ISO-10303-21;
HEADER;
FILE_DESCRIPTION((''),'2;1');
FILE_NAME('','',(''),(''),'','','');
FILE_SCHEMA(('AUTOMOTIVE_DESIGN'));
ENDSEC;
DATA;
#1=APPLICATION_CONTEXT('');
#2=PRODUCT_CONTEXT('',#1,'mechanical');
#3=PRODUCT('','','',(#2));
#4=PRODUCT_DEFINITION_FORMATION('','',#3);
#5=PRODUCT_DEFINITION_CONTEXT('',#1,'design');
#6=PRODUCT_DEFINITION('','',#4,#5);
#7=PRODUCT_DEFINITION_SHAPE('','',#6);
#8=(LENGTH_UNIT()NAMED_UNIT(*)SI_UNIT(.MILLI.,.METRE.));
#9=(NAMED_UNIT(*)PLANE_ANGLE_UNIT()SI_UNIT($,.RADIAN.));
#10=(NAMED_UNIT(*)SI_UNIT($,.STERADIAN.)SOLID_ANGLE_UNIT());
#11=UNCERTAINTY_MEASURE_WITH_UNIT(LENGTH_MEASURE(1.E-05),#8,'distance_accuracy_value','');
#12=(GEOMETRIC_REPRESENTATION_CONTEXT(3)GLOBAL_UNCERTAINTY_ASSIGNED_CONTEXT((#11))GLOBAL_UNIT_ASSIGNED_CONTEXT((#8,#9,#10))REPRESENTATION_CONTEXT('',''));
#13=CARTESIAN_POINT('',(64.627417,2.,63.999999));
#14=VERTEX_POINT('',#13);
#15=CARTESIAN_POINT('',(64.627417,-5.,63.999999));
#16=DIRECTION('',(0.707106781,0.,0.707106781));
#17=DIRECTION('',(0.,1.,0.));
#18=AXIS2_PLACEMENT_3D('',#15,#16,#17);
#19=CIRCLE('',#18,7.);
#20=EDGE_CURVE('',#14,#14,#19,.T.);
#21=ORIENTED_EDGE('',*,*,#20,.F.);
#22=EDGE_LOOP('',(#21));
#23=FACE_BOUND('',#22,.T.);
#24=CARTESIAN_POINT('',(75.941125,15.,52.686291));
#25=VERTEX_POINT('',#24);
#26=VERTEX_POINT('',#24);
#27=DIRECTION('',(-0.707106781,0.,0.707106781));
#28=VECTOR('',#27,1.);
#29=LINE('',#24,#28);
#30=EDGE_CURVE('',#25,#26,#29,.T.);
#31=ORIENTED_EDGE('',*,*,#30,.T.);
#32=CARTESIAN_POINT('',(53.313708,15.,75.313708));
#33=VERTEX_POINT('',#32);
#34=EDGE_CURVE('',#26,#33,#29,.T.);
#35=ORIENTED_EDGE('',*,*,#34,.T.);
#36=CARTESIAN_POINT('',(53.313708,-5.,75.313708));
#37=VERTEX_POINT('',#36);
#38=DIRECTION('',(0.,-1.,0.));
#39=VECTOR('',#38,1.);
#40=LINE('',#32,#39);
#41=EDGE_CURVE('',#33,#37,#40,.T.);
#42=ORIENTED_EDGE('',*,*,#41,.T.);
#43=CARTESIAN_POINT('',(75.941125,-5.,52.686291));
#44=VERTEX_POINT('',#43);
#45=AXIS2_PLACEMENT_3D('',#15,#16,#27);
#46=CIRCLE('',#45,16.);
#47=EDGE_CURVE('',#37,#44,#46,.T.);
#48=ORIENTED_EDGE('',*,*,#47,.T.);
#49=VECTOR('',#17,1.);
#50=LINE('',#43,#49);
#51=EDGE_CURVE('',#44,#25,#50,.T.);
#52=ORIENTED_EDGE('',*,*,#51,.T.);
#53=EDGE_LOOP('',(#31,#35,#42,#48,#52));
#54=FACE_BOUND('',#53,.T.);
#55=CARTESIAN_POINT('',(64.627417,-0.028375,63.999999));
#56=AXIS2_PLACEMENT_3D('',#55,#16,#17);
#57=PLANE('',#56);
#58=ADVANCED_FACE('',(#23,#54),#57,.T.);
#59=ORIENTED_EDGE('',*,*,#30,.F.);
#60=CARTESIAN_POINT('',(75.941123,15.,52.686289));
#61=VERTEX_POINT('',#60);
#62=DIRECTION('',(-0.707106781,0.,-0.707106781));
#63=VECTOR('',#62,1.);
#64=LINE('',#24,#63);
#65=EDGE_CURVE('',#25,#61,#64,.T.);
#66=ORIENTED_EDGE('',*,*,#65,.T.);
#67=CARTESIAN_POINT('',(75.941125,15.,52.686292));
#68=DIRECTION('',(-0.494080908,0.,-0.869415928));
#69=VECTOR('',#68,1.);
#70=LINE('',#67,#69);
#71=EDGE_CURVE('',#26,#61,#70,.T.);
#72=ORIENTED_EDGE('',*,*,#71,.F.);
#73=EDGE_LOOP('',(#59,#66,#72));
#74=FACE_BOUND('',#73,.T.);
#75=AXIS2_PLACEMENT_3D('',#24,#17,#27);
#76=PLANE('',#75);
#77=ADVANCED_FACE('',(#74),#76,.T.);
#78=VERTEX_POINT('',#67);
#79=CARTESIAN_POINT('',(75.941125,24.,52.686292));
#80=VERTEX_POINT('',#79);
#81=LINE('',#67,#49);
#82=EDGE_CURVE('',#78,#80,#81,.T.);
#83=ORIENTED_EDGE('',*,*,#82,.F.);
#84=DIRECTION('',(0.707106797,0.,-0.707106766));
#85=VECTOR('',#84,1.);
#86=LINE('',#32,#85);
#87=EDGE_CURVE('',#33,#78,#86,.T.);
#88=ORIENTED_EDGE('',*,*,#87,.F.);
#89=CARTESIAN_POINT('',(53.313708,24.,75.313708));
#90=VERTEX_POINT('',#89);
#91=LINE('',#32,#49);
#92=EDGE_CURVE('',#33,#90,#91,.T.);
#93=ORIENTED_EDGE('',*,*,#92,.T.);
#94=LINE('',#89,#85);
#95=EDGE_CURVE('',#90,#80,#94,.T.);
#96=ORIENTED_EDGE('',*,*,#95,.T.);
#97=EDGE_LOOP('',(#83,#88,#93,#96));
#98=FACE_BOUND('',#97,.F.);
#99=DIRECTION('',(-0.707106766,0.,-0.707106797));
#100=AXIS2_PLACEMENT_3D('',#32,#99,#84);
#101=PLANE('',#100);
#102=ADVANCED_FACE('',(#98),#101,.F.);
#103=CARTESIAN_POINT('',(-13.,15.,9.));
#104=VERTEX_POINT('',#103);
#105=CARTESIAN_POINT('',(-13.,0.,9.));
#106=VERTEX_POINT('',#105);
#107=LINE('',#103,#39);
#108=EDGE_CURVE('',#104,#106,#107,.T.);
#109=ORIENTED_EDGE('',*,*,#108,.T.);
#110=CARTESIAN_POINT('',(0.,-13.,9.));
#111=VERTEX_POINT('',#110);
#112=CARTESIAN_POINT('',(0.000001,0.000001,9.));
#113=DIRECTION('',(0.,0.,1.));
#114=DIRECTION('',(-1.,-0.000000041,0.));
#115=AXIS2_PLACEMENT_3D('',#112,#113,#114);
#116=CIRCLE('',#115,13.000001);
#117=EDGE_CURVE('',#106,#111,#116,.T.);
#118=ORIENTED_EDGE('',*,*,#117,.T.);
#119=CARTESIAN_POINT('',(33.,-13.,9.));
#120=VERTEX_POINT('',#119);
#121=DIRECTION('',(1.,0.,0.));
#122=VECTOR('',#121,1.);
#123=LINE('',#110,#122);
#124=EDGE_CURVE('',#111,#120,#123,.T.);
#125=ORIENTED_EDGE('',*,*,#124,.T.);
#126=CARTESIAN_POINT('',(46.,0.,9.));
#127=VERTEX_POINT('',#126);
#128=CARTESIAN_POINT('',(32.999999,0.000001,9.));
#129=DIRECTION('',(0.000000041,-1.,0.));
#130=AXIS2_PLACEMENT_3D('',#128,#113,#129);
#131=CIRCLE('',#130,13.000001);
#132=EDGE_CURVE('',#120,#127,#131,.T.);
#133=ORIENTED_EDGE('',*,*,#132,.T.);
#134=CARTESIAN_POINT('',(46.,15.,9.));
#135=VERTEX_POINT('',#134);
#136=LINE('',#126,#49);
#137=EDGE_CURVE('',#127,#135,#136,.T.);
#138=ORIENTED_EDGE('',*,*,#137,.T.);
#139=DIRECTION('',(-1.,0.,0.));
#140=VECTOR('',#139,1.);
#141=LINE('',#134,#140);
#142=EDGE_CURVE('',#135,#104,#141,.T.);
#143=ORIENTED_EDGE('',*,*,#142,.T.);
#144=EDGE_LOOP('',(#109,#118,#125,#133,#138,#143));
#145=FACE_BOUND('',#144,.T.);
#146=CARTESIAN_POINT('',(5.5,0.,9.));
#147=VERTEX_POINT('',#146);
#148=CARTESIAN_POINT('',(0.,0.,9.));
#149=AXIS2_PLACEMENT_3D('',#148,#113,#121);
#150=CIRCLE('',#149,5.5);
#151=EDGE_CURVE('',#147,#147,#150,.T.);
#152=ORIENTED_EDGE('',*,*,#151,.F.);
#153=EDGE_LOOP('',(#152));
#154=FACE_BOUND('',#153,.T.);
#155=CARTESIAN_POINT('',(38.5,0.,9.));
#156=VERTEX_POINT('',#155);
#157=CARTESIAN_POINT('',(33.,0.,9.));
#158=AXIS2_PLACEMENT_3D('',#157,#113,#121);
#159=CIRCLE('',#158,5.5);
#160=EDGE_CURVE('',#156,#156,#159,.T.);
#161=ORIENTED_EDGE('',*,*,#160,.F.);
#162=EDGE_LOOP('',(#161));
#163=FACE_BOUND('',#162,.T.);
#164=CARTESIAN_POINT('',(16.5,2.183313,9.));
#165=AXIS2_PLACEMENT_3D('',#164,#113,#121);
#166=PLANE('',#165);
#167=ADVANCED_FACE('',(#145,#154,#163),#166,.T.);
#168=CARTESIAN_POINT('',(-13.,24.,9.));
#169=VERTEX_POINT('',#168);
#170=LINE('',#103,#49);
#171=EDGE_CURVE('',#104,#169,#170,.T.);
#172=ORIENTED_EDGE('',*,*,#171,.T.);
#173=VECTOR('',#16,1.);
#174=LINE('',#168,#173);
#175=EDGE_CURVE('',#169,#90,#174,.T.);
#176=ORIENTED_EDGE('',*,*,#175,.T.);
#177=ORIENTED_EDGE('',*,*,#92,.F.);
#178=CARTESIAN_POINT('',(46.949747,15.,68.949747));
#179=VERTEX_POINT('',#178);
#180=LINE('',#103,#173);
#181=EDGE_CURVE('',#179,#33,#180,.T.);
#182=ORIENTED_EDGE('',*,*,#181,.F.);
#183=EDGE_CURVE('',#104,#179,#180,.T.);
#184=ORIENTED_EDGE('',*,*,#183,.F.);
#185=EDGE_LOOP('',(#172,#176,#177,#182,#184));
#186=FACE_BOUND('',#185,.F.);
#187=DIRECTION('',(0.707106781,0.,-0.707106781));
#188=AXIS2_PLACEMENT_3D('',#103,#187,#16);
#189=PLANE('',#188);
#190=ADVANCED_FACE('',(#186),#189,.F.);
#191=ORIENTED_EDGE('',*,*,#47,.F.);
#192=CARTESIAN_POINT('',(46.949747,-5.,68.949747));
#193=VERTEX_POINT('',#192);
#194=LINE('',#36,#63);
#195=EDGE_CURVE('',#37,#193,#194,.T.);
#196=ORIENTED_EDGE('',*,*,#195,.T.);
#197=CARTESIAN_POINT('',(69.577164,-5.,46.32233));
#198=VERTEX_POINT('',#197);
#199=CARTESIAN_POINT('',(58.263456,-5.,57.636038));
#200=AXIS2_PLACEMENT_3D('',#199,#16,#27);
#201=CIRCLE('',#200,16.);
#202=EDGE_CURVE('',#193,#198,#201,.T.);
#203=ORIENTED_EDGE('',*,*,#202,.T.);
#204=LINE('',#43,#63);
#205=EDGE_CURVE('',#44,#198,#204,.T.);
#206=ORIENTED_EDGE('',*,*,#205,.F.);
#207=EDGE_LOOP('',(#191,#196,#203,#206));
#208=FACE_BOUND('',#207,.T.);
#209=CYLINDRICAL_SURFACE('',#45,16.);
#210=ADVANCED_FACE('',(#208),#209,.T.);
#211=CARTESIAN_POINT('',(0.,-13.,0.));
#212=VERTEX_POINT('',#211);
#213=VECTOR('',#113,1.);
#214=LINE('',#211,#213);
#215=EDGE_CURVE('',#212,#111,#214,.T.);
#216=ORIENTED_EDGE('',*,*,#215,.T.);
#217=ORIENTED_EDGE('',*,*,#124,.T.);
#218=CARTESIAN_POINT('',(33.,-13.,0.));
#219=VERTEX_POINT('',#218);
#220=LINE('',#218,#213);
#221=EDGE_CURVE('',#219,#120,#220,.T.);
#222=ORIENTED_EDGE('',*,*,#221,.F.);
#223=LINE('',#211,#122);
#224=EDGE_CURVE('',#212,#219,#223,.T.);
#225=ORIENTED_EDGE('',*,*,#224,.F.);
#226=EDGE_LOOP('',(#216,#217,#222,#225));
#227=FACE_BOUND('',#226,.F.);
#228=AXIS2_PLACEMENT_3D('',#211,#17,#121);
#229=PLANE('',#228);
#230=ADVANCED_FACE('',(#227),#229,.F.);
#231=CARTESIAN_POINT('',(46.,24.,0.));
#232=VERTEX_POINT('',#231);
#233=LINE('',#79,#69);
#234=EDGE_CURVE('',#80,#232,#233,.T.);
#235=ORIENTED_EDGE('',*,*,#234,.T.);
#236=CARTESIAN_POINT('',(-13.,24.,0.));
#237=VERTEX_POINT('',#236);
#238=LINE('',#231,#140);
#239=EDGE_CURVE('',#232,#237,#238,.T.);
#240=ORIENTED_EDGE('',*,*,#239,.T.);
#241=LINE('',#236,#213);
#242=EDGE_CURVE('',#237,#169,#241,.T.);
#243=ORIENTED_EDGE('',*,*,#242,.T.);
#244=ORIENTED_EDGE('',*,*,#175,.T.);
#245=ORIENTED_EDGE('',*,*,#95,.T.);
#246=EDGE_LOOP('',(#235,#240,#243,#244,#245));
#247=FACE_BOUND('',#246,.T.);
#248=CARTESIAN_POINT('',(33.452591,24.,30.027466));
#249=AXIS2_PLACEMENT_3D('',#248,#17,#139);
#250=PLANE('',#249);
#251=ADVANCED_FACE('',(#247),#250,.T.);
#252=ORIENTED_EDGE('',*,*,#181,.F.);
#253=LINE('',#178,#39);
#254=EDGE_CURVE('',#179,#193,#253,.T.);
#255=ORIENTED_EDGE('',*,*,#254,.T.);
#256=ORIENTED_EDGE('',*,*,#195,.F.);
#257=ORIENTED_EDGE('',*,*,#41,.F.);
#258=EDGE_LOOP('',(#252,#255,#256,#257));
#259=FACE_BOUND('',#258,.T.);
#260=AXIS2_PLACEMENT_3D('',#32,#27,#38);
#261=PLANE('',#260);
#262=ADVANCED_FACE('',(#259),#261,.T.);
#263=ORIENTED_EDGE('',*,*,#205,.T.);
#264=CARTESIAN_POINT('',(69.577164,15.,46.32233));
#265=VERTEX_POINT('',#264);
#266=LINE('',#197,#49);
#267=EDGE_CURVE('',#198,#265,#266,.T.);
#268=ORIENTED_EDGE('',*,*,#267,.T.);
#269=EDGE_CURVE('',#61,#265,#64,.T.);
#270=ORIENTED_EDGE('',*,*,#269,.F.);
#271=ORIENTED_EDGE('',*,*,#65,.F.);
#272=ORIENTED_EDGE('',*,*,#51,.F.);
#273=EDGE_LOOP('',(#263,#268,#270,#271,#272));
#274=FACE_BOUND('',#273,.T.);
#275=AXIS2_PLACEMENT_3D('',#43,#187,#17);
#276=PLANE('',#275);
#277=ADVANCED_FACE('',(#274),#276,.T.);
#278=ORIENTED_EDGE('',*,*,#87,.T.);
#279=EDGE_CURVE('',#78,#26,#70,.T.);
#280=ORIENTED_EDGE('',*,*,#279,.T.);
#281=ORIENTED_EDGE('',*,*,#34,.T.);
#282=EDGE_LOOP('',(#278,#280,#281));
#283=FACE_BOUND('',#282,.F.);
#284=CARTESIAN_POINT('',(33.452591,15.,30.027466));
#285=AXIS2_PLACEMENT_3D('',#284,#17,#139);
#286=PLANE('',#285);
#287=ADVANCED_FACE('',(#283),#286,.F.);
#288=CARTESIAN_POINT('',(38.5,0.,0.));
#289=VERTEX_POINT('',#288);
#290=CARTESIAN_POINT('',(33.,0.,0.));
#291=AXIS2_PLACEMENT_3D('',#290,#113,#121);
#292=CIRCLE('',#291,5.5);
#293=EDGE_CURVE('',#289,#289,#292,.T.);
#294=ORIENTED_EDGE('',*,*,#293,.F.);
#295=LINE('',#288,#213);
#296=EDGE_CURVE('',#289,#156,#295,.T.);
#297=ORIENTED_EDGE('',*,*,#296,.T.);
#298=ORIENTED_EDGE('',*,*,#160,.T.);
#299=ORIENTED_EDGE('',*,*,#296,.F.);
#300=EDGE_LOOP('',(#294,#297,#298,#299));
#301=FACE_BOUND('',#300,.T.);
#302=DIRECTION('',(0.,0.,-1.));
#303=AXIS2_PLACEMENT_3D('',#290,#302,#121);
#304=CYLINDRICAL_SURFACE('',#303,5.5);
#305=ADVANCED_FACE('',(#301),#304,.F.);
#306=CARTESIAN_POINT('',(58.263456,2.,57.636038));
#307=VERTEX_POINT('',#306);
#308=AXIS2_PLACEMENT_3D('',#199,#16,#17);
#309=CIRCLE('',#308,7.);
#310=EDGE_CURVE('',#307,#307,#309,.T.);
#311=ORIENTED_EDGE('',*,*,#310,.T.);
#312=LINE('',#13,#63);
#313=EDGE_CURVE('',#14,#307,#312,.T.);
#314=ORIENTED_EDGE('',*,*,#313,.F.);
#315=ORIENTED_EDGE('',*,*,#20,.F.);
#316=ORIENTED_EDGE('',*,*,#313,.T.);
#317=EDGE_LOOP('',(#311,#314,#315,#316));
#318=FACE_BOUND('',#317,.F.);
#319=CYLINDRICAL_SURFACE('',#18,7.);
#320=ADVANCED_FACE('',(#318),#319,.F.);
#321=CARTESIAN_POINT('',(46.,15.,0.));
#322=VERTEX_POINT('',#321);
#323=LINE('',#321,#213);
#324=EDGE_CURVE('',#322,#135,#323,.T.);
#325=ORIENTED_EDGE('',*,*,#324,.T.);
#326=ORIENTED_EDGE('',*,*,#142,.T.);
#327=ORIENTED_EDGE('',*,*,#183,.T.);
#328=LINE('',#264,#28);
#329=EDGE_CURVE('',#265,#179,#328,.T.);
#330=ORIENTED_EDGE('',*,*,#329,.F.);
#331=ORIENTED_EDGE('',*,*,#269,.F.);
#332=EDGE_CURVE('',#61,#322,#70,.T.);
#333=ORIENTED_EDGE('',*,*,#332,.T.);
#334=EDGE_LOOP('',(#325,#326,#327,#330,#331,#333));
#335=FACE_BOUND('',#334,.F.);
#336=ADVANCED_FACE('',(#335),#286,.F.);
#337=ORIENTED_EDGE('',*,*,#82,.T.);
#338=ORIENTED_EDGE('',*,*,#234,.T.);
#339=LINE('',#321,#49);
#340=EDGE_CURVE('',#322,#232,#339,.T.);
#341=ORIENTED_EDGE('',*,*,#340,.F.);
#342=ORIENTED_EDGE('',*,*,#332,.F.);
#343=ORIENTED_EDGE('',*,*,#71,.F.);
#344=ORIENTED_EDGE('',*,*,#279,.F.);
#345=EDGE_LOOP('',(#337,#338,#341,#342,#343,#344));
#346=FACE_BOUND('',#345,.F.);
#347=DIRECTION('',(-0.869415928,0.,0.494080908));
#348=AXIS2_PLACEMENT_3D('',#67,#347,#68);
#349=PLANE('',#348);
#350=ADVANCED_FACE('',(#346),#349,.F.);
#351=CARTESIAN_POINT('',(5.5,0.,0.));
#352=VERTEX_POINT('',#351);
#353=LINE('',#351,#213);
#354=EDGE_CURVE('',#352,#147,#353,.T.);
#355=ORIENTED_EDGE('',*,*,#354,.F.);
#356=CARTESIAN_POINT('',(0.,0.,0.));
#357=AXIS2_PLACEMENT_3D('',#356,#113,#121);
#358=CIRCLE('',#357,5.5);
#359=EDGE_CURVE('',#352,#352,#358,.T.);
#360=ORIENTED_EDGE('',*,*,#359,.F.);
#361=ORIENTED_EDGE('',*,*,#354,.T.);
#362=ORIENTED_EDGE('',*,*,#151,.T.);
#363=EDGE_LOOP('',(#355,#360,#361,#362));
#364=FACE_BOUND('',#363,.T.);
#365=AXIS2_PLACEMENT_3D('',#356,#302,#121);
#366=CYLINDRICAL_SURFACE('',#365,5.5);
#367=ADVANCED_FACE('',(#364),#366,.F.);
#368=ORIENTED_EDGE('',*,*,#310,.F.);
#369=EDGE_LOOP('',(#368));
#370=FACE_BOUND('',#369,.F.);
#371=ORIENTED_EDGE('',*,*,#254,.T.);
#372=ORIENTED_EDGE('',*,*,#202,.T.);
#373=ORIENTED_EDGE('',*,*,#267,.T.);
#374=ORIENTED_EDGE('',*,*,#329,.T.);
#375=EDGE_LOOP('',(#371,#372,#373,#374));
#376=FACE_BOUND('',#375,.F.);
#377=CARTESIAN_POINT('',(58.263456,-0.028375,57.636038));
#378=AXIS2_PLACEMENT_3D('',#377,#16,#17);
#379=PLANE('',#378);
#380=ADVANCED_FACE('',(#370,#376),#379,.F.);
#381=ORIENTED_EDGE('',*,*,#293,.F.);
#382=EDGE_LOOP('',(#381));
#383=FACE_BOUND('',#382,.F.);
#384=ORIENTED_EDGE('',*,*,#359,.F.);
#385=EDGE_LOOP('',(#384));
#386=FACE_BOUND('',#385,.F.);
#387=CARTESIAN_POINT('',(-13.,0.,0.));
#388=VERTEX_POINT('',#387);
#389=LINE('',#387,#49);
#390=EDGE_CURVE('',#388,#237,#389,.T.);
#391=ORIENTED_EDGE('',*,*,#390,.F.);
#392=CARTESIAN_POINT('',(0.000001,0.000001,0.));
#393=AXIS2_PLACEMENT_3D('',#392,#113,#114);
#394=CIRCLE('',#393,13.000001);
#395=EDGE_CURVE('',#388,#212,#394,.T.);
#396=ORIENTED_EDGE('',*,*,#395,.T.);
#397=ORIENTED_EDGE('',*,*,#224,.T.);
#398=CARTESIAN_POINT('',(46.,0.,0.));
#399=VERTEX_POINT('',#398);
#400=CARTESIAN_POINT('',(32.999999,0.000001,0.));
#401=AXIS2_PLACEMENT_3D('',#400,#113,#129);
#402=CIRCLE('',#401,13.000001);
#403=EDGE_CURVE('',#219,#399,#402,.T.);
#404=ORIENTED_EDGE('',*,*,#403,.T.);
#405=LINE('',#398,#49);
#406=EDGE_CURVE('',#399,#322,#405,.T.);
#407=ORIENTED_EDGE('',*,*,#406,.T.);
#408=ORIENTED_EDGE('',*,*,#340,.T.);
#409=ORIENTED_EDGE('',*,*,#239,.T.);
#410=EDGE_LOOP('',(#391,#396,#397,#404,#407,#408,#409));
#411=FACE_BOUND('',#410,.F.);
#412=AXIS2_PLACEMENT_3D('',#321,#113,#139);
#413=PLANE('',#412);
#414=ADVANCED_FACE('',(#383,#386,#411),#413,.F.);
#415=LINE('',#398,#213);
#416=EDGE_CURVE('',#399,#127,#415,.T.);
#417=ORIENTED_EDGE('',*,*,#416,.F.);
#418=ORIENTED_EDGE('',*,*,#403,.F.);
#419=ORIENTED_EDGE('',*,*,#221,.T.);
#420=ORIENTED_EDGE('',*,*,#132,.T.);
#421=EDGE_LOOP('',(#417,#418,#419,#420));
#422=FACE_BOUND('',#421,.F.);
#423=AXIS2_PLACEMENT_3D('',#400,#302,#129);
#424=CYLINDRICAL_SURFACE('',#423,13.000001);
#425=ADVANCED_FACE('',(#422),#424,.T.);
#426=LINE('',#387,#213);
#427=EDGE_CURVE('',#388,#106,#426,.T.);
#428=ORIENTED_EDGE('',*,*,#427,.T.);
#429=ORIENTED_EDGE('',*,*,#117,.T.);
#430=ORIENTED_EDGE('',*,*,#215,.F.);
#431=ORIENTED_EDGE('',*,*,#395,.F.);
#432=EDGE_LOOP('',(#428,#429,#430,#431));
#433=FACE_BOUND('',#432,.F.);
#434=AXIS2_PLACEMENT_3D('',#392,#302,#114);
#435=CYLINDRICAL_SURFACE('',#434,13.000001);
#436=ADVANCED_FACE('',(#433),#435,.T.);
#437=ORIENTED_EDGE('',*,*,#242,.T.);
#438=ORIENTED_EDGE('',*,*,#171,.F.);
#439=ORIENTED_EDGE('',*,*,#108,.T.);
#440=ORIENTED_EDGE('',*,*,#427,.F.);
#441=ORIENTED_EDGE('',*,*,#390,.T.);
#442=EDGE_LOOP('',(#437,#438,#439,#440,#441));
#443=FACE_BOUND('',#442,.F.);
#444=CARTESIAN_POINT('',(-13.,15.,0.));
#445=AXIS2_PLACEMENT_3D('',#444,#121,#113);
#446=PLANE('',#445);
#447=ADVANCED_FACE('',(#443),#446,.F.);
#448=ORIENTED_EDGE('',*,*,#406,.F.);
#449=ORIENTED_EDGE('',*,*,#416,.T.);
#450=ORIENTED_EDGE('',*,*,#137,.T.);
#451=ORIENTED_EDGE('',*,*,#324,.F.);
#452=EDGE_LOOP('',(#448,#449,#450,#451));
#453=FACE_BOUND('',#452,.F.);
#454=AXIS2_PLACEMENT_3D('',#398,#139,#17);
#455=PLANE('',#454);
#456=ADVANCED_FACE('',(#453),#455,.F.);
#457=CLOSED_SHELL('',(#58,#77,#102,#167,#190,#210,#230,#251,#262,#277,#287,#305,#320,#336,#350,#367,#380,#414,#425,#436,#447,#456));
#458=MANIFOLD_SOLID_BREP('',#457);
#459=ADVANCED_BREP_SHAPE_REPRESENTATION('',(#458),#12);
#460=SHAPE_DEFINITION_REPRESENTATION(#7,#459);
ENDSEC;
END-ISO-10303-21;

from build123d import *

# Parameters (mm, degrees)
F0_R     = 5.5
F1_DEPTH = 9
F3_DEPTH = 9
F4_R     = 7
F5_DEPTH = 9


with BuildPart() as f1:
    # F0 (on Top) → F1 (new body)
    with BuildSketch(Plane.XY):
        with BuildLine():
            ThreePointArc((-13, 0), (-9.192388, -9.192388), (0, -13))
            Line((0, -13), (33, -13))
            ThreePointArc((33, -13), (42.192388, -9.192388), (46, 0))
            Line((46, 0), (46, 15))
            Line((46, 15), (-13, 15))
            Line((-13, 15), (-13, 0))
        make_face()
        Circle(F0_R, mode=Mode.SUBTRACT)
        with Locations((33, 0)):
            Circle(F0_R, mode=Mode.SUBTRACT)
    extrude(amount=F1_DEPTH)

    # F2 (on face) → F3 (join)
    with BuildSketch(Plane(origin=(0, 15, 0), x_dir=(-1, 0, 0), z_dir=(0, 1, 0))):
        Polygon((-46, 0), (13, 0), (13, 9), (-53.313708, 75.313708), (-75.941125, 52.686292), align=None)
    extrude(amount=F3_DEPTH)

    # F4 (on face) → F5 (join)
    with BuildSketch(Plane(origin=(64.313708, 0, 64.313708), x_dir=(0, 1, 0), z_dir=(0.707107, 0, 0.707107))):
        with BuildLine():
            Line((15, -16.443651), (15, 15.556349))
            Line((15, 15.556349), (-5, 15.556349))
            ThreePointArc((-5, 15.556349), (-21, -0.443651), (-5, -16.443651))
            Line((-5, -16.443651), (15, -16.443651))
        make_face()
        with Locations((-5, -0.443651)):
            Circle(F4_R, mode=Mode.SUBTRACT)
    extrude(amount=-F5_DEPTH)


solid = f1.part
